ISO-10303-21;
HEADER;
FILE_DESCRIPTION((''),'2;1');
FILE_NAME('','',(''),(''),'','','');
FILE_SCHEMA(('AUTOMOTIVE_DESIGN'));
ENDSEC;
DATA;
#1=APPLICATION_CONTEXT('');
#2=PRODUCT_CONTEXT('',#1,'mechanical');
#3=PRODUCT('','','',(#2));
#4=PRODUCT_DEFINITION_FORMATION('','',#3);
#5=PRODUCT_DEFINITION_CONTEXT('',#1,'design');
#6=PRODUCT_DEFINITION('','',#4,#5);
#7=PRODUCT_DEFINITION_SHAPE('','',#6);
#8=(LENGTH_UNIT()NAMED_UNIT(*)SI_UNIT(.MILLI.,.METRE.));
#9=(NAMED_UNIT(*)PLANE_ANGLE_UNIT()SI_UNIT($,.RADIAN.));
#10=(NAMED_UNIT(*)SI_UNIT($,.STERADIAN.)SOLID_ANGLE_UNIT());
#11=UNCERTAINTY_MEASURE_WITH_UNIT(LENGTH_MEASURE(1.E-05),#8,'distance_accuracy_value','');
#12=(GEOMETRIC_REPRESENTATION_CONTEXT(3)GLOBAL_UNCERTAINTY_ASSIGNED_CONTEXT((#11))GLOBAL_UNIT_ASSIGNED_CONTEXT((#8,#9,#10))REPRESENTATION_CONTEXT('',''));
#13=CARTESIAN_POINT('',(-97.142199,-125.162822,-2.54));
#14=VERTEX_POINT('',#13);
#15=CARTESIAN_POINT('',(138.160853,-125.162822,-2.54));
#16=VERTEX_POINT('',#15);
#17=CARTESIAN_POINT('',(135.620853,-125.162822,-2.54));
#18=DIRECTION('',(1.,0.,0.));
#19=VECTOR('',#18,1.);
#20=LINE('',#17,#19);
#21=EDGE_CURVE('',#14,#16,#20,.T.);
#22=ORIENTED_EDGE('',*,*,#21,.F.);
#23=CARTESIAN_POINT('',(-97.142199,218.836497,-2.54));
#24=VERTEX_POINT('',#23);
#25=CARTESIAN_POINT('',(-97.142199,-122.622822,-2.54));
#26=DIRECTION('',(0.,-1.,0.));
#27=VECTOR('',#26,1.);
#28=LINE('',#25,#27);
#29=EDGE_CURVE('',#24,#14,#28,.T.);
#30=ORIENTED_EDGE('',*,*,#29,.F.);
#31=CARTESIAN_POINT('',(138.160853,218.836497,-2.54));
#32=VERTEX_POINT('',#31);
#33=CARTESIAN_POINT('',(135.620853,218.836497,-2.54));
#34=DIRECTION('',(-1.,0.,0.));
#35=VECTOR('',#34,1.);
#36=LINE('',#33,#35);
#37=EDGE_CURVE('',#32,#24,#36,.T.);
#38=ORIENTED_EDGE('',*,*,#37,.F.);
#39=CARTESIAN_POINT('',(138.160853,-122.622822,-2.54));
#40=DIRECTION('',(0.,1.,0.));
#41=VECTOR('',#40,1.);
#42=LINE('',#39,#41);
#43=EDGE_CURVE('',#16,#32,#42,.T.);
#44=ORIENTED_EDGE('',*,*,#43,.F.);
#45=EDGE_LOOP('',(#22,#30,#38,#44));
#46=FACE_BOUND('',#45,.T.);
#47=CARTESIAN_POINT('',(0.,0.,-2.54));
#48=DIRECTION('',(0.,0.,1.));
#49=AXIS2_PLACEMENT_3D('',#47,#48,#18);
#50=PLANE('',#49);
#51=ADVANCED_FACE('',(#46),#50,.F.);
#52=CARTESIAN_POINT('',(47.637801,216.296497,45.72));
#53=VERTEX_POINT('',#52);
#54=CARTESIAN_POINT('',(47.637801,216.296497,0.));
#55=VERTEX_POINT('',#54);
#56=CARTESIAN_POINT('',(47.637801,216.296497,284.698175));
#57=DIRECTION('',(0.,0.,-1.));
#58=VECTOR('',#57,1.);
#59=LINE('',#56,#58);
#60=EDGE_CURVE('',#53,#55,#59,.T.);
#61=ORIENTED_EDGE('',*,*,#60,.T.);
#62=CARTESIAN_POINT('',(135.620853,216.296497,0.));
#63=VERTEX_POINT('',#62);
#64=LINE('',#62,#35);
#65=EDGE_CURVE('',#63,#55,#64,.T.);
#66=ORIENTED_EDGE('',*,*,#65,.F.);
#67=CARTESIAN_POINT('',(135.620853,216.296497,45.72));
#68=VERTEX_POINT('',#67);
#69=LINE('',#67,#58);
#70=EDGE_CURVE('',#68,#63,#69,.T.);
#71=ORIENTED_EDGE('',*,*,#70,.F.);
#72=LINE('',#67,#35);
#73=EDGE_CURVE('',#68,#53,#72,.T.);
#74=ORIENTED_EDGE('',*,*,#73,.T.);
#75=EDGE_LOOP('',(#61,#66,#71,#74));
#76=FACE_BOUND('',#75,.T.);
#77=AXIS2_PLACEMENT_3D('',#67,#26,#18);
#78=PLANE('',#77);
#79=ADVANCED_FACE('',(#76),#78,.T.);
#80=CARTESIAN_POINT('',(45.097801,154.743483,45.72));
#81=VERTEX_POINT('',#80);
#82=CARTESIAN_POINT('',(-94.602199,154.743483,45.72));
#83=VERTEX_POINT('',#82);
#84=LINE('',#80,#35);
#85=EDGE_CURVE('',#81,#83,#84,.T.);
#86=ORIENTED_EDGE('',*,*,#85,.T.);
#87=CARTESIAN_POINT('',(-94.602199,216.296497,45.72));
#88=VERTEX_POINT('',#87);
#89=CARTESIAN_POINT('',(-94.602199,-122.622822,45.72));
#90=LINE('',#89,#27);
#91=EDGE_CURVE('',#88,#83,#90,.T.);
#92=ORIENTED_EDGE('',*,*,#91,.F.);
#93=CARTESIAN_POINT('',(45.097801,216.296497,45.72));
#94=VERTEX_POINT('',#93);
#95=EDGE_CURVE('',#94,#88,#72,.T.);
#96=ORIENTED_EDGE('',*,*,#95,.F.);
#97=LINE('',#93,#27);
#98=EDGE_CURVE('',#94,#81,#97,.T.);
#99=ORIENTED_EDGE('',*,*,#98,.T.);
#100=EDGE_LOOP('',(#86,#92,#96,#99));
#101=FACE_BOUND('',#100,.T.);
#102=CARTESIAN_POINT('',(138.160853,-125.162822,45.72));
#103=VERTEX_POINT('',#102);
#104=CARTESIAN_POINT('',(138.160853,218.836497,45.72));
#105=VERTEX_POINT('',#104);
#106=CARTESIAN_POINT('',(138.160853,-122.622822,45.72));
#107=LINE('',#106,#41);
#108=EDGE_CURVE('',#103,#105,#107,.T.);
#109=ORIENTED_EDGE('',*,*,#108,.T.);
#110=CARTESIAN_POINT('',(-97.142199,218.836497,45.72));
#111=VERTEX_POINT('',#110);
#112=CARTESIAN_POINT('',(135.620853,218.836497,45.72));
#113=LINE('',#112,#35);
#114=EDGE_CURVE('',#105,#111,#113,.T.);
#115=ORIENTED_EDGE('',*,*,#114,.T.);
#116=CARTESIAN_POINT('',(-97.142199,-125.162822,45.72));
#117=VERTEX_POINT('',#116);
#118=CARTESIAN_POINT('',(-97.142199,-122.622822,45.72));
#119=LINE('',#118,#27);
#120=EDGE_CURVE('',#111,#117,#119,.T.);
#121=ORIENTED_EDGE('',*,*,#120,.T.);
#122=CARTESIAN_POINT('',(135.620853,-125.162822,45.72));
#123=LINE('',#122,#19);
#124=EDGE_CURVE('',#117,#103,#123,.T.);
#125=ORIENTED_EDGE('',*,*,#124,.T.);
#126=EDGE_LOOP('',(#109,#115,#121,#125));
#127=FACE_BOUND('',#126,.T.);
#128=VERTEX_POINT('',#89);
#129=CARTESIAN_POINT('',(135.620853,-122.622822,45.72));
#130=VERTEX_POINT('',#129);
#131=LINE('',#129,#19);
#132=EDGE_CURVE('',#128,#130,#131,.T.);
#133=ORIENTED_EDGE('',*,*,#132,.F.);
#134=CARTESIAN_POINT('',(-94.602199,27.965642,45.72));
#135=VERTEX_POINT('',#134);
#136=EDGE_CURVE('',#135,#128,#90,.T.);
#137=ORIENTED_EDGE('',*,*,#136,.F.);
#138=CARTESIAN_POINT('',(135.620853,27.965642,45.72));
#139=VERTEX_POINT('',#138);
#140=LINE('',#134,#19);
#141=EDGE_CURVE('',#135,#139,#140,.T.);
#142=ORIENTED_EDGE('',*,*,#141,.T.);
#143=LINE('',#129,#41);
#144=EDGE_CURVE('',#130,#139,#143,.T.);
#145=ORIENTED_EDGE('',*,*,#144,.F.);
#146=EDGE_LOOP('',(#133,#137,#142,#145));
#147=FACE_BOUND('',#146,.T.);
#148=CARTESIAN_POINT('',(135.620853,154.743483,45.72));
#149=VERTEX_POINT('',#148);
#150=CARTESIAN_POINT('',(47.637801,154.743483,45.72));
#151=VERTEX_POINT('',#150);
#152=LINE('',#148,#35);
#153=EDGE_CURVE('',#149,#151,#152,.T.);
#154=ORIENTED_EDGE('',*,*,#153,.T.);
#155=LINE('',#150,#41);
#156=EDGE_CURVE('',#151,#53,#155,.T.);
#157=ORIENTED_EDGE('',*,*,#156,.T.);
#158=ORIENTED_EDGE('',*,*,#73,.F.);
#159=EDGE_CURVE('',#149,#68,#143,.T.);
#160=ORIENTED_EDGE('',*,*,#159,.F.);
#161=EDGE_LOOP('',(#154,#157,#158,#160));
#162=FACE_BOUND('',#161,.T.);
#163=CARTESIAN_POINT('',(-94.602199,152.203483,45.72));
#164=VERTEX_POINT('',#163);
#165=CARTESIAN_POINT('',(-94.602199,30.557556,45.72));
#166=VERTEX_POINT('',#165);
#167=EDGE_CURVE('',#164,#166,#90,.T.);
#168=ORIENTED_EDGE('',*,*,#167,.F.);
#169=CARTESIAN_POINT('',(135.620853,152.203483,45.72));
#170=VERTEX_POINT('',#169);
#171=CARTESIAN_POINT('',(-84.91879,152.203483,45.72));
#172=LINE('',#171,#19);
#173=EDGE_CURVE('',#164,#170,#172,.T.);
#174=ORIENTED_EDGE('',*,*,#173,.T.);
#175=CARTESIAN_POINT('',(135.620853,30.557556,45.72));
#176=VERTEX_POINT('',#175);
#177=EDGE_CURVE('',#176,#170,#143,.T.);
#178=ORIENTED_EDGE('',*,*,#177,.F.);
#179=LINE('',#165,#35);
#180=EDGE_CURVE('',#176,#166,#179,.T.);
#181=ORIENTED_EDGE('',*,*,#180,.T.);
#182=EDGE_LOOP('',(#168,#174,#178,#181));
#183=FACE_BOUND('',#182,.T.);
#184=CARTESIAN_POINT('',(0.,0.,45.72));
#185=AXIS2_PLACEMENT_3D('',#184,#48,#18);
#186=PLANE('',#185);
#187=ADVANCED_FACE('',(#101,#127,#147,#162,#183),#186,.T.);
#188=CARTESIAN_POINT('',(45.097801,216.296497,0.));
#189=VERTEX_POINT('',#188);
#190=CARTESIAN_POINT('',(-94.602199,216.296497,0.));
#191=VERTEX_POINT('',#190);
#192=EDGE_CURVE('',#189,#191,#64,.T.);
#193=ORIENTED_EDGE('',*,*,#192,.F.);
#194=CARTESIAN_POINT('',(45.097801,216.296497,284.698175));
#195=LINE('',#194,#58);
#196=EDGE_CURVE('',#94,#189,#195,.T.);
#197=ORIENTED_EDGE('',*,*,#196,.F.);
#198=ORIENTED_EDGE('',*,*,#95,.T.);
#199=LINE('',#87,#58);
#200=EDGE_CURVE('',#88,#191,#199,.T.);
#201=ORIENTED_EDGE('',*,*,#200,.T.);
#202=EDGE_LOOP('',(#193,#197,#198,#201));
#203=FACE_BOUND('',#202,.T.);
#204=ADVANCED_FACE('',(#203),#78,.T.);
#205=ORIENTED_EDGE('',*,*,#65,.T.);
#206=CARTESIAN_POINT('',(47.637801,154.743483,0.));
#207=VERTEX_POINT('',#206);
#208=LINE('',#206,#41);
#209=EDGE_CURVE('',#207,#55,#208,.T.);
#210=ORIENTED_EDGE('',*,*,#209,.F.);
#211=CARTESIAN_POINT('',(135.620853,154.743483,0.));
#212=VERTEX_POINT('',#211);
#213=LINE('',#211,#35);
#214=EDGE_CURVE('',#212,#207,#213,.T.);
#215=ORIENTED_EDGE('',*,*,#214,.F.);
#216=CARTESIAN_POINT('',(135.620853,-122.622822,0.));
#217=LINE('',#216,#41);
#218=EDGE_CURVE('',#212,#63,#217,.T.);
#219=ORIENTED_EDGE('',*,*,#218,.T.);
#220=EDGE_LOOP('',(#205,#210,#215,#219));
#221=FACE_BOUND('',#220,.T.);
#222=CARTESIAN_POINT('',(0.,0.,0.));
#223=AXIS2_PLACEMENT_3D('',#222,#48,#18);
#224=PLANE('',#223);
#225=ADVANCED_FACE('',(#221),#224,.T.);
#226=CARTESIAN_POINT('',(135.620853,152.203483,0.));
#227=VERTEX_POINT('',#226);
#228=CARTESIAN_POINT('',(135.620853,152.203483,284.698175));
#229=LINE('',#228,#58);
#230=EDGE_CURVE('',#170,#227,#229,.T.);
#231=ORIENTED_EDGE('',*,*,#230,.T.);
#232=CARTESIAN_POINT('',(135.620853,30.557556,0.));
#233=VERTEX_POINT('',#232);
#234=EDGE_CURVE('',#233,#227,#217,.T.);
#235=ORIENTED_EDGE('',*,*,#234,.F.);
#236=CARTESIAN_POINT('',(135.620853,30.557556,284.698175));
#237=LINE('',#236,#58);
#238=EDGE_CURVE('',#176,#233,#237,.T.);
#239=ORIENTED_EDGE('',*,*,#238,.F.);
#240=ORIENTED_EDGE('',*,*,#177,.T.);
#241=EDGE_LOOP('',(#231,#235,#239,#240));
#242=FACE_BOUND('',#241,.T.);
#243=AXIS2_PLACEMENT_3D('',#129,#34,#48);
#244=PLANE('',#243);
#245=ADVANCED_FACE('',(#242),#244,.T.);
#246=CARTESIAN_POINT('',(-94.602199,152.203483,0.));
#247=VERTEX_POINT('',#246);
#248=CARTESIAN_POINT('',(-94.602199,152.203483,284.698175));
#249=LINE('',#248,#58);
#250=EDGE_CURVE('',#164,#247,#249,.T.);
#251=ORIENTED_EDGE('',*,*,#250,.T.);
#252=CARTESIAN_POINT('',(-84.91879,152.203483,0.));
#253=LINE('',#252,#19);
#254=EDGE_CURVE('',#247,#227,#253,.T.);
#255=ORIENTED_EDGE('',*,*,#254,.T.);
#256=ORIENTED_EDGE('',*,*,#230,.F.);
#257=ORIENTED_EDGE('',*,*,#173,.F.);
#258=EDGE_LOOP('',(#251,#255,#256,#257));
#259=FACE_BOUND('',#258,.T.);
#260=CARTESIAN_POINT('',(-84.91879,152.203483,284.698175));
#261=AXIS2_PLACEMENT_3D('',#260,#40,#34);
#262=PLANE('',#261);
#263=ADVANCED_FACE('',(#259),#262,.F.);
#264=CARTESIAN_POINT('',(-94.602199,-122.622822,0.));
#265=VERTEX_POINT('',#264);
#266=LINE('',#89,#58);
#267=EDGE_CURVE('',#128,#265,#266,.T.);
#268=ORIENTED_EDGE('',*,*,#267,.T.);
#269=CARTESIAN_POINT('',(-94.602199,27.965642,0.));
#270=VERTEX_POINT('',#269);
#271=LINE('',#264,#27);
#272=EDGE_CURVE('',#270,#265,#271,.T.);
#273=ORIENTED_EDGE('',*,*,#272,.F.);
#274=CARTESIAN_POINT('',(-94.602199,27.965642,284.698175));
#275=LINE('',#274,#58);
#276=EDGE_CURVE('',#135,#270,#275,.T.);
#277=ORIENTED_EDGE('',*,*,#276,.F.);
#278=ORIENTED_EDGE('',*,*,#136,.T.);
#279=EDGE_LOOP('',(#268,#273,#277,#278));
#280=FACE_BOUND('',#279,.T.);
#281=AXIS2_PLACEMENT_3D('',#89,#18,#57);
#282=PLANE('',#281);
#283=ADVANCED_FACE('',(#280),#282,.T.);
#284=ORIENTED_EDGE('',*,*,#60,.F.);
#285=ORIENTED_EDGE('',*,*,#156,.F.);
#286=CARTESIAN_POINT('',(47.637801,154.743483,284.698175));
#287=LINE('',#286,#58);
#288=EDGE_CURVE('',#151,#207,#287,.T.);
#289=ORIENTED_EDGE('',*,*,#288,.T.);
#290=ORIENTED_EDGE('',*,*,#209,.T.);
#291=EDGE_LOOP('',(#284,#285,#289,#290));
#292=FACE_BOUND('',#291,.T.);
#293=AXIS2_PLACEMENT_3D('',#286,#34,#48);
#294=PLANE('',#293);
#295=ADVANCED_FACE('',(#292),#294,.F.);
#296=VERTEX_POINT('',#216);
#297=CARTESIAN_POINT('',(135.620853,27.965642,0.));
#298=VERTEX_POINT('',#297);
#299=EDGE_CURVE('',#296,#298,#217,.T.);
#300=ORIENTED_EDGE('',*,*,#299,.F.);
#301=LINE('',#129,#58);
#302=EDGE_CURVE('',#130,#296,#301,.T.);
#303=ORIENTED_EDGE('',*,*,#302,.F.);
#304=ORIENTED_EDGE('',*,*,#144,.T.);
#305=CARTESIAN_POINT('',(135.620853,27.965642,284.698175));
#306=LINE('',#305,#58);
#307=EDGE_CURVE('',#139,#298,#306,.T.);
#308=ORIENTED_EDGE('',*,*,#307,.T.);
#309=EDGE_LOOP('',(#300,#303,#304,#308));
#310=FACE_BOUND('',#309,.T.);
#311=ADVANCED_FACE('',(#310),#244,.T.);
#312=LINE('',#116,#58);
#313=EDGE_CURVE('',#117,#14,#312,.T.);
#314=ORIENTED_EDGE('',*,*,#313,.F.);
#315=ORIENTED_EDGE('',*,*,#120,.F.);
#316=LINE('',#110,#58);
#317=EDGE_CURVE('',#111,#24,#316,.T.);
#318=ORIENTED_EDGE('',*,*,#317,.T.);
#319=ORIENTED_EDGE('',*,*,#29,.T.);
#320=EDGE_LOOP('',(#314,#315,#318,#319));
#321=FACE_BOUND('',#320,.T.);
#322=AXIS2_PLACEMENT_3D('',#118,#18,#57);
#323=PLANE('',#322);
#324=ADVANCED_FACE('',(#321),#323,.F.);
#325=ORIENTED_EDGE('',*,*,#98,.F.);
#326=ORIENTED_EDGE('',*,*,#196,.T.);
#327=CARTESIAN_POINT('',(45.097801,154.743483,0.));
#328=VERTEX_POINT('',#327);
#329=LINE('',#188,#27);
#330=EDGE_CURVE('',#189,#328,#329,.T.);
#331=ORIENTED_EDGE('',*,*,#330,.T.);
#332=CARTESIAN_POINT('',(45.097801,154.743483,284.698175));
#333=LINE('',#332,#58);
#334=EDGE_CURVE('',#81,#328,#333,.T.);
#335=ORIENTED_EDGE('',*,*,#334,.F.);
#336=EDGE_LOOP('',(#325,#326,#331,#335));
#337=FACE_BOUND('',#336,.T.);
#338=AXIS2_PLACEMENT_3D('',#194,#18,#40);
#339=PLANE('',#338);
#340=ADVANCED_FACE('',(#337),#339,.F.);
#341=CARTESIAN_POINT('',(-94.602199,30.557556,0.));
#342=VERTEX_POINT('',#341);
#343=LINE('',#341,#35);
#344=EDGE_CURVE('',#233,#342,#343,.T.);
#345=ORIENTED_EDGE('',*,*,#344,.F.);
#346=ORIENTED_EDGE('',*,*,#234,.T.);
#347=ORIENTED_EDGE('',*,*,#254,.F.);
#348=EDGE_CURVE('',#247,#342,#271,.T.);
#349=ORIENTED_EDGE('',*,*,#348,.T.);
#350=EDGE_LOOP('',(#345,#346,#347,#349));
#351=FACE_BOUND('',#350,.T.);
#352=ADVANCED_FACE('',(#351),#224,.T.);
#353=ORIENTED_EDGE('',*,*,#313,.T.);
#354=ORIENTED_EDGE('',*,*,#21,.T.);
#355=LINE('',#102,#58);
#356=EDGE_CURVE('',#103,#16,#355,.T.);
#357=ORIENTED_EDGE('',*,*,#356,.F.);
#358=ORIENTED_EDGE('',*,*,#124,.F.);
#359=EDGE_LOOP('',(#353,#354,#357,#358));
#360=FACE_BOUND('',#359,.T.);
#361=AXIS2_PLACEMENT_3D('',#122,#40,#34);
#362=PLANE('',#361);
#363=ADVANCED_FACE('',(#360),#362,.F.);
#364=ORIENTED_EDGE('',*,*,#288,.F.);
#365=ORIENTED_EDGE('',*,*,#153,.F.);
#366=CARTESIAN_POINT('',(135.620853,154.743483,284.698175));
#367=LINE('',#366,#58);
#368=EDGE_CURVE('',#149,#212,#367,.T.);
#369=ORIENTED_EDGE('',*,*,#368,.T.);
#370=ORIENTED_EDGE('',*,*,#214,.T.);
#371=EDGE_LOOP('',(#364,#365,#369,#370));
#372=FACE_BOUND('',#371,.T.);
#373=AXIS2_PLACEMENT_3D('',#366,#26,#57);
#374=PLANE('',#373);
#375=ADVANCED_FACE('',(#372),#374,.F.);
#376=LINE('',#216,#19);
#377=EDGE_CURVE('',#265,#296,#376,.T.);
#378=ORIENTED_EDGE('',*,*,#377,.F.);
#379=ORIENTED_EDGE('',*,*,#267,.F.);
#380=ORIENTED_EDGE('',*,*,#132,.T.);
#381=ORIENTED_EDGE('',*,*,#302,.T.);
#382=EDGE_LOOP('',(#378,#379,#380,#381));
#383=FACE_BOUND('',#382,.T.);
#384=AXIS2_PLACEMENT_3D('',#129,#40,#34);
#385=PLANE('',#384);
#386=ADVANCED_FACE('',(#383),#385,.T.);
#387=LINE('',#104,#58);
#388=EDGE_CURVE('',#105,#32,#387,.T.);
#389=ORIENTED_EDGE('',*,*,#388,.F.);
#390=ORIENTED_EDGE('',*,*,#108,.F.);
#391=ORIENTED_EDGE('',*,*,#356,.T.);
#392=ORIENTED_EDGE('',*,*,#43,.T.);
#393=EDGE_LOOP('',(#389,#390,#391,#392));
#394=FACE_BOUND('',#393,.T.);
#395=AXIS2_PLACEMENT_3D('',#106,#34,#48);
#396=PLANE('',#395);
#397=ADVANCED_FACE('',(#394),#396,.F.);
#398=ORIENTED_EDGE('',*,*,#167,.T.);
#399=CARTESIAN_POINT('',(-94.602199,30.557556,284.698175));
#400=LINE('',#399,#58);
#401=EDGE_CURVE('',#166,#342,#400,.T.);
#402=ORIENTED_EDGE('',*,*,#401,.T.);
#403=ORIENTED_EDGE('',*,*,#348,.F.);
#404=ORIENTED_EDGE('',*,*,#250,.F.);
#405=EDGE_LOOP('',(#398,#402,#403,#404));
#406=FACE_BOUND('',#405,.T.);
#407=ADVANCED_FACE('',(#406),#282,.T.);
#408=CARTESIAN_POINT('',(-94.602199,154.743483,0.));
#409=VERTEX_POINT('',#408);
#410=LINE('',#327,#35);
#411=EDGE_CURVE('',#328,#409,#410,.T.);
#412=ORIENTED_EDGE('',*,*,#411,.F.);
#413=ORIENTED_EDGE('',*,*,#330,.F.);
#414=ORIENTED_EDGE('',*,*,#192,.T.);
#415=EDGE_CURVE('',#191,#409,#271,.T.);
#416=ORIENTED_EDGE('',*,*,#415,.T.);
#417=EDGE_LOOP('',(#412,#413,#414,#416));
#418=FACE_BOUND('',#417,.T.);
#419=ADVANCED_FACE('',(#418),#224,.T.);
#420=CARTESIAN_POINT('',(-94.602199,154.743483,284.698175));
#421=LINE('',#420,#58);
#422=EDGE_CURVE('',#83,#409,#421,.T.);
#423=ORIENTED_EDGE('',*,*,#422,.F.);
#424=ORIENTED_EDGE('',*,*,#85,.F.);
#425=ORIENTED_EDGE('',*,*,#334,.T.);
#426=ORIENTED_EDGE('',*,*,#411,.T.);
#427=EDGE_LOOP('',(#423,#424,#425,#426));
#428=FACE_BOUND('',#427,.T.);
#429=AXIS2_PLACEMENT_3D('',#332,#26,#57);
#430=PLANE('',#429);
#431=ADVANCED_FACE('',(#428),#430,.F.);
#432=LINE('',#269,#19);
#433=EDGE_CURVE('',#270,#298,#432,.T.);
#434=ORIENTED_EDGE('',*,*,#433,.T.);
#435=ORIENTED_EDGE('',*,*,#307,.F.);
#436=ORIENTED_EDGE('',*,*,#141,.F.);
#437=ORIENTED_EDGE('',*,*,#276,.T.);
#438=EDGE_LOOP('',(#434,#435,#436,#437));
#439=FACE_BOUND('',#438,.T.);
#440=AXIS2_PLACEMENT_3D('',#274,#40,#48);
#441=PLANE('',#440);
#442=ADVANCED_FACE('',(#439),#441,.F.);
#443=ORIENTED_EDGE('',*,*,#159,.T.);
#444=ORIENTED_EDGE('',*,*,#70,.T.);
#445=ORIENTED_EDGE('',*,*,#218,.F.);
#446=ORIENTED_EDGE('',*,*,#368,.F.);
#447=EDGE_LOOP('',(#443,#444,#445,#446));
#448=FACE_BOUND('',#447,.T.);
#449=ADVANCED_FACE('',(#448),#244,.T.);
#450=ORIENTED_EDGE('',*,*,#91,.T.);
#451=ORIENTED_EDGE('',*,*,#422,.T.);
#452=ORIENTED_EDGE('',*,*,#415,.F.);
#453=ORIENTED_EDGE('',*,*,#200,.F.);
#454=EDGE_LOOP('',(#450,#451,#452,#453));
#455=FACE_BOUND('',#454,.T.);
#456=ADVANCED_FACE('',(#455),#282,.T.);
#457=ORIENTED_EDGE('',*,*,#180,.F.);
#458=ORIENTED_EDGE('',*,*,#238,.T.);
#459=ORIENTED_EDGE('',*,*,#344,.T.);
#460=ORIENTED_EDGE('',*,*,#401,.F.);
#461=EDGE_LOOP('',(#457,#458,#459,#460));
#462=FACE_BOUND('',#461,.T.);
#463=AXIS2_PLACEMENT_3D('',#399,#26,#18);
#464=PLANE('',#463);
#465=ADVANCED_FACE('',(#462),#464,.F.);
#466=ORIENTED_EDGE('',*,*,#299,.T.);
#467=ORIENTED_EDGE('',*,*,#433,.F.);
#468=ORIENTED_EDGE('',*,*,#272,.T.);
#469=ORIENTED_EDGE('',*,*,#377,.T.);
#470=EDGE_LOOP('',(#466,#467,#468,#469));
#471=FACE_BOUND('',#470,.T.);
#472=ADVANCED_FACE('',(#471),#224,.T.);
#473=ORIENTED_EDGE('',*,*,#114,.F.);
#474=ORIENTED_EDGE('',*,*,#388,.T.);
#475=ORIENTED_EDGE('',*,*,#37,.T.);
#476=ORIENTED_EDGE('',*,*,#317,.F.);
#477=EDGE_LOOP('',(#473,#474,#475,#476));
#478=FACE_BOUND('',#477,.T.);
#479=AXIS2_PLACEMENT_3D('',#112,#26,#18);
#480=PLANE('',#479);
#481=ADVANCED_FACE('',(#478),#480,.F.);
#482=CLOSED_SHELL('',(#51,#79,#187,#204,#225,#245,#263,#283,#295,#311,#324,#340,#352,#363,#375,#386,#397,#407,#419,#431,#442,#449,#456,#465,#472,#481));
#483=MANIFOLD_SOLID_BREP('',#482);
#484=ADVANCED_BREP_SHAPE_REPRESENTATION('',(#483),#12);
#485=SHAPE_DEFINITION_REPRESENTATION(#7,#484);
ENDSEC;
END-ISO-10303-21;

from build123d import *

# Parameters (mm, degrees)
SKETCH1_W           = 230.223051784
SKETCH1_H           = 338.919319135
BOSS_EXTRUDE1_DEPTH = 45.72
SHELL1_T            = 2.54
BOSS_EXTRUDE2_DEPTH = 45.72


with BuildPart() as part:
    # Sketch1 → Boss-Extrude1 (new body)
    with BuildSketch(Plane.XY):
        with Locations((20.509326923, 46.836837465)):
            Rectangle(SKETCH1_W, SKETCH1_H)
    extrude(amount=BOSS_EXTRUDE1_DEPTH)

    # Shell1
    shell1_openings = [part.faces().sort_by_distance(p)[0] for p in [
        (20.509326923, 46.836837464, 45.72),
    ]]
    offset(amount=SHELL1_T, openings=shell1_openings, kind=Kind.INTERSECTION)

    # Sketch2 → Boss-Extrude2 (add)
    with BuildSketch(Plane.XY):
        Polygon((45.097801031, 154.743483449), (-94.602198969, 154.743483449), (-94.602198969, 152.203483449), (-84.918790084, 152.203483449), (135.620852815, 152.203483449), (135.620852815, 154.743483449), (47.637801031, 154.743483449), (47.637801031, 216.296497032), (45.097801031, 216.296497032), align=None)
        Polygon((-94.602198969, 29.235642098), (-94.602198969, 30.557556356), (135.620852815, 30.557556356), (135.620852815, 27.965642098), (-94.602198969, 27.965642098), align=None)
    extrude(amount=BOSS_EXTRUDE2_DEPTH)


solid = part.part
